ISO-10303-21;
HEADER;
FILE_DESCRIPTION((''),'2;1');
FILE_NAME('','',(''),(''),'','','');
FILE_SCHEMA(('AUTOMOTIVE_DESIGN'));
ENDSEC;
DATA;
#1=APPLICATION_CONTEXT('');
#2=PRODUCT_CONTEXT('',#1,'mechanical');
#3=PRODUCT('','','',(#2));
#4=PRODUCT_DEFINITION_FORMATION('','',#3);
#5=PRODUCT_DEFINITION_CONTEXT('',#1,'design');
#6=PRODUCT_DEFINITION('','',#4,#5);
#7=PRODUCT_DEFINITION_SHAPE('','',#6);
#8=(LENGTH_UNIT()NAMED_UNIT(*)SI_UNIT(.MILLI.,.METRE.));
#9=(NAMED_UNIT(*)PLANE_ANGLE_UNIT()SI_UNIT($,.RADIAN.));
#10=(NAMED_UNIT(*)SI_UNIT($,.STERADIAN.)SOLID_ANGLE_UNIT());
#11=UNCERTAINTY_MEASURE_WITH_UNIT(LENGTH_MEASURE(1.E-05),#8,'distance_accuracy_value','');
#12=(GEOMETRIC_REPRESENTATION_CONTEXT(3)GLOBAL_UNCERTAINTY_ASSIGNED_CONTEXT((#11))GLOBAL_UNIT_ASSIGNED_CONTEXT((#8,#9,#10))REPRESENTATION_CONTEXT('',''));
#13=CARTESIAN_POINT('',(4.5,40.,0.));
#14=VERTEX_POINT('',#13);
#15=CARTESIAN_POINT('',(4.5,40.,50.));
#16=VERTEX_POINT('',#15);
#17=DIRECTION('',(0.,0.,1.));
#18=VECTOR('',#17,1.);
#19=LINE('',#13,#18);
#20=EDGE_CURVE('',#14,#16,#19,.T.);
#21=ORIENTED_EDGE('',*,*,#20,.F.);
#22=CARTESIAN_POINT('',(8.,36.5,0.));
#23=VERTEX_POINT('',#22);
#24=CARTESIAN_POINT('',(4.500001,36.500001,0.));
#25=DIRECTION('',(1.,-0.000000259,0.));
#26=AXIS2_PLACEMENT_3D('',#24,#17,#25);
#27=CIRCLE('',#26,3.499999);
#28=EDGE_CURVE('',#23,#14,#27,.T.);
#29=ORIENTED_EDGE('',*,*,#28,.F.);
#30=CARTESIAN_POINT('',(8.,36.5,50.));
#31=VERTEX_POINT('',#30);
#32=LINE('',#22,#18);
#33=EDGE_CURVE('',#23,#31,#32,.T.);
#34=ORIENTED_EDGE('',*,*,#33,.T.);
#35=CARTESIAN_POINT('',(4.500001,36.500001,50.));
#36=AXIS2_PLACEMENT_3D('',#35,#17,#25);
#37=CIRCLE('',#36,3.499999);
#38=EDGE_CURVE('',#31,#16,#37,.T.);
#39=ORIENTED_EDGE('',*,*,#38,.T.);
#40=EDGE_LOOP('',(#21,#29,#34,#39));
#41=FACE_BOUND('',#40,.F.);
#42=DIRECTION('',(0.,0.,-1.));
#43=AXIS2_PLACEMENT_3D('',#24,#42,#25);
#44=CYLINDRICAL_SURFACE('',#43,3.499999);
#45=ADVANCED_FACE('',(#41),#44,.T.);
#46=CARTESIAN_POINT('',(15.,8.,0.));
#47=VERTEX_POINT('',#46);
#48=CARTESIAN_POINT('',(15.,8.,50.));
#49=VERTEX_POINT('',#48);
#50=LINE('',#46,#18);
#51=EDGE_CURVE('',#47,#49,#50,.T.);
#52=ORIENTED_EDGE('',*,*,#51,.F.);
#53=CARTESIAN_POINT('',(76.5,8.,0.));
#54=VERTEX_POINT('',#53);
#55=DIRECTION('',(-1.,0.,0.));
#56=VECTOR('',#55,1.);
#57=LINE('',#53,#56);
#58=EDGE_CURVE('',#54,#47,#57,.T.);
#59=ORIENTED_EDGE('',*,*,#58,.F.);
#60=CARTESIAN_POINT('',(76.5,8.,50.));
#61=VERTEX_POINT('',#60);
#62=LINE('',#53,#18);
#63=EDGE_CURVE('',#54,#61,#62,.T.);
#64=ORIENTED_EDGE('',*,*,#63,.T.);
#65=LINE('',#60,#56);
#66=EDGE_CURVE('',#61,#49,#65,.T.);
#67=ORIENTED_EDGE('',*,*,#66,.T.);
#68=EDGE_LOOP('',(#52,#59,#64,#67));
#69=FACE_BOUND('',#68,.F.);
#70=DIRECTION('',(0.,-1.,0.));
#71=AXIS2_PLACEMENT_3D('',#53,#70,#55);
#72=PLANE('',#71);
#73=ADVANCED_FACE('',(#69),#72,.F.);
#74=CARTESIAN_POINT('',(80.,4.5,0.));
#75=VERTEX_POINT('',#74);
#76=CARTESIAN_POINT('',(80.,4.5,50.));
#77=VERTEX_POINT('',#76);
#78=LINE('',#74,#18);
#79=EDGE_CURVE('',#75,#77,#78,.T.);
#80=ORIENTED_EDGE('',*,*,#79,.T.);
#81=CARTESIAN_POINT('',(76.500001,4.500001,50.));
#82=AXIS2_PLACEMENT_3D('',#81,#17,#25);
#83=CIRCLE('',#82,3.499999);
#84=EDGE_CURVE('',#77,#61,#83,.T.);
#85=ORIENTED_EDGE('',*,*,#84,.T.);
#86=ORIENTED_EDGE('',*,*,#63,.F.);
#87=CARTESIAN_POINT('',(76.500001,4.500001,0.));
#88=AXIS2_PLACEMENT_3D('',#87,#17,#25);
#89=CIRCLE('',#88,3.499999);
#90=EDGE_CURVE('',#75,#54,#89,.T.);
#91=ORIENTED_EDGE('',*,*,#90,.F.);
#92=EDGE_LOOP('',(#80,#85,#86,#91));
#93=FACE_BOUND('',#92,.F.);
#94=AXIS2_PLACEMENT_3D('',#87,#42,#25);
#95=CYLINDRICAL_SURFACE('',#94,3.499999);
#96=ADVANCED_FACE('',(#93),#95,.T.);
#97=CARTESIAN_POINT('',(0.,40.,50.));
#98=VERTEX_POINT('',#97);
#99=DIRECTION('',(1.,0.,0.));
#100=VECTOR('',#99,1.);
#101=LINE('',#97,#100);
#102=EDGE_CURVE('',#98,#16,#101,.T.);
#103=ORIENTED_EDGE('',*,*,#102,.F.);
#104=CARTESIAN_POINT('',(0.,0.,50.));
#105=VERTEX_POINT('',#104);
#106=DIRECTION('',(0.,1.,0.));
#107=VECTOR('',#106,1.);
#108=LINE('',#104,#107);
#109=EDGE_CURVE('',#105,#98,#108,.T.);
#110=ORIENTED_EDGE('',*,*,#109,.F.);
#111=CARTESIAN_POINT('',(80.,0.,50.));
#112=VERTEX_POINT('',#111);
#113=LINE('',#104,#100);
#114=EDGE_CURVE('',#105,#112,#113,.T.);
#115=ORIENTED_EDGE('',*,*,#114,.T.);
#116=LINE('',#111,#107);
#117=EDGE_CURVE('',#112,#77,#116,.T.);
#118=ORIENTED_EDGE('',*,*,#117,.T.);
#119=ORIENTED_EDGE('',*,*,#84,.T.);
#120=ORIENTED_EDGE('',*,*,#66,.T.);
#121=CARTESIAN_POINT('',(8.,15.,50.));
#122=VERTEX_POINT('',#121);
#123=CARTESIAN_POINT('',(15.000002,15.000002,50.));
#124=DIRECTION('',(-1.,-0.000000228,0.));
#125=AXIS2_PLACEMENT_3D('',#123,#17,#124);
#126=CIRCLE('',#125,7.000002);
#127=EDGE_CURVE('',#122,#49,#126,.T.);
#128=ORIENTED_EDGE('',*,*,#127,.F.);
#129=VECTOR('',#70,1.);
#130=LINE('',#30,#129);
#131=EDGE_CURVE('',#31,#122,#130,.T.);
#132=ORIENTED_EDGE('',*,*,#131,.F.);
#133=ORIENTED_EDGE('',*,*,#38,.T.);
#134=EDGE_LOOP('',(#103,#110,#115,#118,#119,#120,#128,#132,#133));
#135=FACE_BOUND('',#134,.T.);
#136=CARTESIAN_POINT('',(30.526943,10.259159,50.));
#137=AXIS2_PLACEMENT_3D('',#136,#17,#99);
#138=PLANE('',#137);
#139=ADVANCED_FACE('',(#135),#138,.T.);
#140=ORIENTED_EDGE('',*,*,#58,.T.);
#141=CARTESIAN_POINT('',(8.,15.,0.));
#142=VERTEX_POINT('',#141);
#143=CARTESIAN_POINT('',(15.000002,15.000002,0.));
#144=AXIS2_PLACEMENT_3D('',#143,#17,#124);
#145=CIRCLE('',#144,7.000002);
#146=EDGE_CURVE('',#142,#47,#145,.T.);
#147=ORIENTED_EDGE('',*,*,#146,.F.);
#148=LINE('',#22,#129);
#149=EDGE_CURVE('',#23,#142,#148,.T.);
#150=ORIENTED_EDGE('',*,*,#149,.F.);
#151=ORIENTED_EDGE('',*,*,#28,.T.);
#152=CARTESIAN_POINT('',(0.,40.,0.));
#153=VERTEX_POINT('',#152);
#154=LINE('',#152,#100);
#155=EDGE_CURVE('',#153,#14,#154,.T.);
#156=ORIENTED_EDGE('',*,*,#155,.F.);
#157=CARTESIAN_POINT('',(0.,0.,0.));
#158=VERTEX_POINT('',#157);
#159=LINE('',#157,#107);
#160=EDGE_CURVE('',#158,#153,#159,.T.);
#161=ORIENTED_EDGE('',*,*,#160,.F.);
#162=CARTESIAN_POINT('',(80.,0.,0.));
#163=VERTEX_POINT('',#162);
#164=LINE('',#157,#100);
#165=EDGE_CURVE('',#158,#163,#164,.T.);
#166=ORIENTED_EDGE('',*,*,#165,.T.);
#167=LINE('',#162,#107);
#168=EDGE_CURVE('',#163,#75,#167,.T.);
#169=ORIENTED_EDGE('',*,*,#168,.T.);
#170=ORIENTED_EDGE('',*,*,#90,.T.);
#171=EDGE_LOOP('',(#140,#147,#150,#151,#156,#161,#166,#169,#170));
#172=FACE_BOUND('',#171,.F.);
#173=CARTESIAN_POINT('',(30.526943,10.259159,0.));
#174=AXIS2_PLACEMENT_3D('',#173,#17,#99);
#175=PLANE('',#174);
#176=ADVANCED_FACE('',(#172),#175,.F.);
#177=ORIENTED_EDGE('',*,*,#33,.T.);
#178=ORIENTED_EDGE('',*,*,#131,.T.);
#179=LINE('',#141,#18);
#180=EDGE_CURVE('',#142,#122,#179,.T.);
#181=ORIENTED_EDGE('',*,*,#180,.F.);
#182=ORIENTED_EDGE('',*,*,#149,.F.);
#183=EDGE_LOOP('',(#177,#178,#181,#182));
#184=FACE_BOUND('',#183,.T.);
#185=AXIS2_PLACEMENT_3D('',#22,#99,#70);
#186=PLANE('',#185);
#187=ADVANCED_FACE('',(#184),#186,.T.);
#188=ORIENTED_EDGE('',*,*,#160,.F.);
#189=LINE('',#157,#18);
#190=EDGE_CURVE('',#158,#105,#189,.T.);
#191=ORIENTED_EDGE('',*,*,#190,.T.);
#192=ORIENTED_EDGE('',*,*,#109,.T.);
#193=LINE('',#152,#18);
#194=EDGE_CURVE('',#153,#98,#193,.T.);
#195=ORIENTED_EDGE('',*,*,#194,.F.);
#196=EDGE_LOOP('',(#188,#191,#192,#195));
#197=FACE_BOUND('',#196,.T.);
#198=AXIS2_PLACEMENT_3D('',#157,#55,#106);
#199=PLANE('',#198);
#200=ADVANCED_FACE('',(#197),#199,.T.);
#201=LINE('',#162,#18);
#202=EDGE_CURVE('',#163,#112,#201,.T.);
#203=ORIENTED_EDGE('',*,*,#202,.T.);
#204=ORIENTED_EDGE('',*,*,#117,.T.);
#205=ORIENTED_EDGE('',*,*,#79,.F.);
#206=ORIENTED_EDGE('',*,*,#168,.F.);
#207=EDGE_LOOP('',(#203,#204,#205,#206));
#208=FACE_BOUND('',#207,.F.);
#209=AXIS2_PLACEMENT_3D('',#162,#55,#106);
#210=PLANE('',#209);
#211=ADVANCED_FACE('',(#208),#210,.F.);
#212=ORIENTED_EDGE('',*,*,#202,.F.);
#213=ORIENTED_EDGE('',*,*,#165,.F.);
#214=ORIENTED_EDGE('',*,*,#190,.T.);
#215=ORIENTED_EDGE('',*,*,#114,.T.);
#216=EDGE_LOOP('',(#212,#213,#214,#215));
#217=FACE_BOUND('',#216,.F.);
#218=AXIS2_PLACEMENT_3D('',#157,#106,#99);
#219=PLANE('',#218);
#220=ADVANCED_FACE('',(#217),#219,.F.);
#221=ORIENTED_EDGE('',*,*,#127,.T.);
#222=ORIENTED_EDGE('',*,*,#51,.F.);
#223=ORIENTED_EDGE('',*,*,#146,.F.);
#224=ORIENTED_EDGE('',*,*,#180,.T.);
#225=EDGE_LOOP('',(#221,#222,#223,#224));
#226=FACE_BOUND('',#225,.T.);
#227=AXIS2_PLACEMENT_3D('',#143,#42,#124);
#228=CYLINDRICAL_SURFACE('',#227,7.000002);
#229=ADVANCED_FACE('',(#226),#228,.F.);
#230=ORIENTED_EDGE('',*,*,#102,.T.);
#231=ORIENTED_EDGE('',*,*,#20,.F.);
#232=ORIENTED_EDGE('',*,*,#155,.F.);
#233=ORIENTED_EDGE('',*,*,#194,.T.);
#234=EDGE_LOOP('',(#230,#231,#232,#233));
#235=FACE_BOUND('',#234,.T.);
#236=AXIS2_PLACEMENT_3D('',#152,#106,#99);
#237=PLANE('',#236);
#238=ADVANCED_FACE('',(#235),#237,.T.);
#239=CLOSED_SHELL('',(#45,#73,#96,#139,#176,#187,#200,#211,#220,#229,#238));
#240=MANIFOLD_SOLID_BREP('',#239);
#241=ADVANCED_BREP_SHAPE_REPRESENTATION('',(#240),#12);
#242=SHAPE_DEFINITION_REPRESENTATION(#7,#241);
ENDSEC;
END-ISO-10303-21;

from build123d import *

# Parameters (mm, degrees)
EXTRUDE_DEPTH = 50


with BuildPart() as part:
    # Sketch → Extrude (new body)
    with BuildSketch(Plane.XY):
        with BuildLine():
            Line((0, 0), (80, 0))
            Line((80, 0), (80, 4.5))
            ThreePointArc((80, 4.5), (78.974874, 6.974874), (76.5, 8))
            Line((76.5, 8), (15, 8))
            ThreePointArc((8, 15), (10.050253, 10.050253), (15, 8))
            Line((8, 36.5), (8, 15))
            ThreePointArc((8, 36.5), (6.974874, 38.974874), (4.5, 40))
            Line((0, 40), (4.5, 40))
            Line((0, 0), (0, 40))
        make_face()
    extrude(amount=EXTRUDE_DEPTH)


solid = part.part
